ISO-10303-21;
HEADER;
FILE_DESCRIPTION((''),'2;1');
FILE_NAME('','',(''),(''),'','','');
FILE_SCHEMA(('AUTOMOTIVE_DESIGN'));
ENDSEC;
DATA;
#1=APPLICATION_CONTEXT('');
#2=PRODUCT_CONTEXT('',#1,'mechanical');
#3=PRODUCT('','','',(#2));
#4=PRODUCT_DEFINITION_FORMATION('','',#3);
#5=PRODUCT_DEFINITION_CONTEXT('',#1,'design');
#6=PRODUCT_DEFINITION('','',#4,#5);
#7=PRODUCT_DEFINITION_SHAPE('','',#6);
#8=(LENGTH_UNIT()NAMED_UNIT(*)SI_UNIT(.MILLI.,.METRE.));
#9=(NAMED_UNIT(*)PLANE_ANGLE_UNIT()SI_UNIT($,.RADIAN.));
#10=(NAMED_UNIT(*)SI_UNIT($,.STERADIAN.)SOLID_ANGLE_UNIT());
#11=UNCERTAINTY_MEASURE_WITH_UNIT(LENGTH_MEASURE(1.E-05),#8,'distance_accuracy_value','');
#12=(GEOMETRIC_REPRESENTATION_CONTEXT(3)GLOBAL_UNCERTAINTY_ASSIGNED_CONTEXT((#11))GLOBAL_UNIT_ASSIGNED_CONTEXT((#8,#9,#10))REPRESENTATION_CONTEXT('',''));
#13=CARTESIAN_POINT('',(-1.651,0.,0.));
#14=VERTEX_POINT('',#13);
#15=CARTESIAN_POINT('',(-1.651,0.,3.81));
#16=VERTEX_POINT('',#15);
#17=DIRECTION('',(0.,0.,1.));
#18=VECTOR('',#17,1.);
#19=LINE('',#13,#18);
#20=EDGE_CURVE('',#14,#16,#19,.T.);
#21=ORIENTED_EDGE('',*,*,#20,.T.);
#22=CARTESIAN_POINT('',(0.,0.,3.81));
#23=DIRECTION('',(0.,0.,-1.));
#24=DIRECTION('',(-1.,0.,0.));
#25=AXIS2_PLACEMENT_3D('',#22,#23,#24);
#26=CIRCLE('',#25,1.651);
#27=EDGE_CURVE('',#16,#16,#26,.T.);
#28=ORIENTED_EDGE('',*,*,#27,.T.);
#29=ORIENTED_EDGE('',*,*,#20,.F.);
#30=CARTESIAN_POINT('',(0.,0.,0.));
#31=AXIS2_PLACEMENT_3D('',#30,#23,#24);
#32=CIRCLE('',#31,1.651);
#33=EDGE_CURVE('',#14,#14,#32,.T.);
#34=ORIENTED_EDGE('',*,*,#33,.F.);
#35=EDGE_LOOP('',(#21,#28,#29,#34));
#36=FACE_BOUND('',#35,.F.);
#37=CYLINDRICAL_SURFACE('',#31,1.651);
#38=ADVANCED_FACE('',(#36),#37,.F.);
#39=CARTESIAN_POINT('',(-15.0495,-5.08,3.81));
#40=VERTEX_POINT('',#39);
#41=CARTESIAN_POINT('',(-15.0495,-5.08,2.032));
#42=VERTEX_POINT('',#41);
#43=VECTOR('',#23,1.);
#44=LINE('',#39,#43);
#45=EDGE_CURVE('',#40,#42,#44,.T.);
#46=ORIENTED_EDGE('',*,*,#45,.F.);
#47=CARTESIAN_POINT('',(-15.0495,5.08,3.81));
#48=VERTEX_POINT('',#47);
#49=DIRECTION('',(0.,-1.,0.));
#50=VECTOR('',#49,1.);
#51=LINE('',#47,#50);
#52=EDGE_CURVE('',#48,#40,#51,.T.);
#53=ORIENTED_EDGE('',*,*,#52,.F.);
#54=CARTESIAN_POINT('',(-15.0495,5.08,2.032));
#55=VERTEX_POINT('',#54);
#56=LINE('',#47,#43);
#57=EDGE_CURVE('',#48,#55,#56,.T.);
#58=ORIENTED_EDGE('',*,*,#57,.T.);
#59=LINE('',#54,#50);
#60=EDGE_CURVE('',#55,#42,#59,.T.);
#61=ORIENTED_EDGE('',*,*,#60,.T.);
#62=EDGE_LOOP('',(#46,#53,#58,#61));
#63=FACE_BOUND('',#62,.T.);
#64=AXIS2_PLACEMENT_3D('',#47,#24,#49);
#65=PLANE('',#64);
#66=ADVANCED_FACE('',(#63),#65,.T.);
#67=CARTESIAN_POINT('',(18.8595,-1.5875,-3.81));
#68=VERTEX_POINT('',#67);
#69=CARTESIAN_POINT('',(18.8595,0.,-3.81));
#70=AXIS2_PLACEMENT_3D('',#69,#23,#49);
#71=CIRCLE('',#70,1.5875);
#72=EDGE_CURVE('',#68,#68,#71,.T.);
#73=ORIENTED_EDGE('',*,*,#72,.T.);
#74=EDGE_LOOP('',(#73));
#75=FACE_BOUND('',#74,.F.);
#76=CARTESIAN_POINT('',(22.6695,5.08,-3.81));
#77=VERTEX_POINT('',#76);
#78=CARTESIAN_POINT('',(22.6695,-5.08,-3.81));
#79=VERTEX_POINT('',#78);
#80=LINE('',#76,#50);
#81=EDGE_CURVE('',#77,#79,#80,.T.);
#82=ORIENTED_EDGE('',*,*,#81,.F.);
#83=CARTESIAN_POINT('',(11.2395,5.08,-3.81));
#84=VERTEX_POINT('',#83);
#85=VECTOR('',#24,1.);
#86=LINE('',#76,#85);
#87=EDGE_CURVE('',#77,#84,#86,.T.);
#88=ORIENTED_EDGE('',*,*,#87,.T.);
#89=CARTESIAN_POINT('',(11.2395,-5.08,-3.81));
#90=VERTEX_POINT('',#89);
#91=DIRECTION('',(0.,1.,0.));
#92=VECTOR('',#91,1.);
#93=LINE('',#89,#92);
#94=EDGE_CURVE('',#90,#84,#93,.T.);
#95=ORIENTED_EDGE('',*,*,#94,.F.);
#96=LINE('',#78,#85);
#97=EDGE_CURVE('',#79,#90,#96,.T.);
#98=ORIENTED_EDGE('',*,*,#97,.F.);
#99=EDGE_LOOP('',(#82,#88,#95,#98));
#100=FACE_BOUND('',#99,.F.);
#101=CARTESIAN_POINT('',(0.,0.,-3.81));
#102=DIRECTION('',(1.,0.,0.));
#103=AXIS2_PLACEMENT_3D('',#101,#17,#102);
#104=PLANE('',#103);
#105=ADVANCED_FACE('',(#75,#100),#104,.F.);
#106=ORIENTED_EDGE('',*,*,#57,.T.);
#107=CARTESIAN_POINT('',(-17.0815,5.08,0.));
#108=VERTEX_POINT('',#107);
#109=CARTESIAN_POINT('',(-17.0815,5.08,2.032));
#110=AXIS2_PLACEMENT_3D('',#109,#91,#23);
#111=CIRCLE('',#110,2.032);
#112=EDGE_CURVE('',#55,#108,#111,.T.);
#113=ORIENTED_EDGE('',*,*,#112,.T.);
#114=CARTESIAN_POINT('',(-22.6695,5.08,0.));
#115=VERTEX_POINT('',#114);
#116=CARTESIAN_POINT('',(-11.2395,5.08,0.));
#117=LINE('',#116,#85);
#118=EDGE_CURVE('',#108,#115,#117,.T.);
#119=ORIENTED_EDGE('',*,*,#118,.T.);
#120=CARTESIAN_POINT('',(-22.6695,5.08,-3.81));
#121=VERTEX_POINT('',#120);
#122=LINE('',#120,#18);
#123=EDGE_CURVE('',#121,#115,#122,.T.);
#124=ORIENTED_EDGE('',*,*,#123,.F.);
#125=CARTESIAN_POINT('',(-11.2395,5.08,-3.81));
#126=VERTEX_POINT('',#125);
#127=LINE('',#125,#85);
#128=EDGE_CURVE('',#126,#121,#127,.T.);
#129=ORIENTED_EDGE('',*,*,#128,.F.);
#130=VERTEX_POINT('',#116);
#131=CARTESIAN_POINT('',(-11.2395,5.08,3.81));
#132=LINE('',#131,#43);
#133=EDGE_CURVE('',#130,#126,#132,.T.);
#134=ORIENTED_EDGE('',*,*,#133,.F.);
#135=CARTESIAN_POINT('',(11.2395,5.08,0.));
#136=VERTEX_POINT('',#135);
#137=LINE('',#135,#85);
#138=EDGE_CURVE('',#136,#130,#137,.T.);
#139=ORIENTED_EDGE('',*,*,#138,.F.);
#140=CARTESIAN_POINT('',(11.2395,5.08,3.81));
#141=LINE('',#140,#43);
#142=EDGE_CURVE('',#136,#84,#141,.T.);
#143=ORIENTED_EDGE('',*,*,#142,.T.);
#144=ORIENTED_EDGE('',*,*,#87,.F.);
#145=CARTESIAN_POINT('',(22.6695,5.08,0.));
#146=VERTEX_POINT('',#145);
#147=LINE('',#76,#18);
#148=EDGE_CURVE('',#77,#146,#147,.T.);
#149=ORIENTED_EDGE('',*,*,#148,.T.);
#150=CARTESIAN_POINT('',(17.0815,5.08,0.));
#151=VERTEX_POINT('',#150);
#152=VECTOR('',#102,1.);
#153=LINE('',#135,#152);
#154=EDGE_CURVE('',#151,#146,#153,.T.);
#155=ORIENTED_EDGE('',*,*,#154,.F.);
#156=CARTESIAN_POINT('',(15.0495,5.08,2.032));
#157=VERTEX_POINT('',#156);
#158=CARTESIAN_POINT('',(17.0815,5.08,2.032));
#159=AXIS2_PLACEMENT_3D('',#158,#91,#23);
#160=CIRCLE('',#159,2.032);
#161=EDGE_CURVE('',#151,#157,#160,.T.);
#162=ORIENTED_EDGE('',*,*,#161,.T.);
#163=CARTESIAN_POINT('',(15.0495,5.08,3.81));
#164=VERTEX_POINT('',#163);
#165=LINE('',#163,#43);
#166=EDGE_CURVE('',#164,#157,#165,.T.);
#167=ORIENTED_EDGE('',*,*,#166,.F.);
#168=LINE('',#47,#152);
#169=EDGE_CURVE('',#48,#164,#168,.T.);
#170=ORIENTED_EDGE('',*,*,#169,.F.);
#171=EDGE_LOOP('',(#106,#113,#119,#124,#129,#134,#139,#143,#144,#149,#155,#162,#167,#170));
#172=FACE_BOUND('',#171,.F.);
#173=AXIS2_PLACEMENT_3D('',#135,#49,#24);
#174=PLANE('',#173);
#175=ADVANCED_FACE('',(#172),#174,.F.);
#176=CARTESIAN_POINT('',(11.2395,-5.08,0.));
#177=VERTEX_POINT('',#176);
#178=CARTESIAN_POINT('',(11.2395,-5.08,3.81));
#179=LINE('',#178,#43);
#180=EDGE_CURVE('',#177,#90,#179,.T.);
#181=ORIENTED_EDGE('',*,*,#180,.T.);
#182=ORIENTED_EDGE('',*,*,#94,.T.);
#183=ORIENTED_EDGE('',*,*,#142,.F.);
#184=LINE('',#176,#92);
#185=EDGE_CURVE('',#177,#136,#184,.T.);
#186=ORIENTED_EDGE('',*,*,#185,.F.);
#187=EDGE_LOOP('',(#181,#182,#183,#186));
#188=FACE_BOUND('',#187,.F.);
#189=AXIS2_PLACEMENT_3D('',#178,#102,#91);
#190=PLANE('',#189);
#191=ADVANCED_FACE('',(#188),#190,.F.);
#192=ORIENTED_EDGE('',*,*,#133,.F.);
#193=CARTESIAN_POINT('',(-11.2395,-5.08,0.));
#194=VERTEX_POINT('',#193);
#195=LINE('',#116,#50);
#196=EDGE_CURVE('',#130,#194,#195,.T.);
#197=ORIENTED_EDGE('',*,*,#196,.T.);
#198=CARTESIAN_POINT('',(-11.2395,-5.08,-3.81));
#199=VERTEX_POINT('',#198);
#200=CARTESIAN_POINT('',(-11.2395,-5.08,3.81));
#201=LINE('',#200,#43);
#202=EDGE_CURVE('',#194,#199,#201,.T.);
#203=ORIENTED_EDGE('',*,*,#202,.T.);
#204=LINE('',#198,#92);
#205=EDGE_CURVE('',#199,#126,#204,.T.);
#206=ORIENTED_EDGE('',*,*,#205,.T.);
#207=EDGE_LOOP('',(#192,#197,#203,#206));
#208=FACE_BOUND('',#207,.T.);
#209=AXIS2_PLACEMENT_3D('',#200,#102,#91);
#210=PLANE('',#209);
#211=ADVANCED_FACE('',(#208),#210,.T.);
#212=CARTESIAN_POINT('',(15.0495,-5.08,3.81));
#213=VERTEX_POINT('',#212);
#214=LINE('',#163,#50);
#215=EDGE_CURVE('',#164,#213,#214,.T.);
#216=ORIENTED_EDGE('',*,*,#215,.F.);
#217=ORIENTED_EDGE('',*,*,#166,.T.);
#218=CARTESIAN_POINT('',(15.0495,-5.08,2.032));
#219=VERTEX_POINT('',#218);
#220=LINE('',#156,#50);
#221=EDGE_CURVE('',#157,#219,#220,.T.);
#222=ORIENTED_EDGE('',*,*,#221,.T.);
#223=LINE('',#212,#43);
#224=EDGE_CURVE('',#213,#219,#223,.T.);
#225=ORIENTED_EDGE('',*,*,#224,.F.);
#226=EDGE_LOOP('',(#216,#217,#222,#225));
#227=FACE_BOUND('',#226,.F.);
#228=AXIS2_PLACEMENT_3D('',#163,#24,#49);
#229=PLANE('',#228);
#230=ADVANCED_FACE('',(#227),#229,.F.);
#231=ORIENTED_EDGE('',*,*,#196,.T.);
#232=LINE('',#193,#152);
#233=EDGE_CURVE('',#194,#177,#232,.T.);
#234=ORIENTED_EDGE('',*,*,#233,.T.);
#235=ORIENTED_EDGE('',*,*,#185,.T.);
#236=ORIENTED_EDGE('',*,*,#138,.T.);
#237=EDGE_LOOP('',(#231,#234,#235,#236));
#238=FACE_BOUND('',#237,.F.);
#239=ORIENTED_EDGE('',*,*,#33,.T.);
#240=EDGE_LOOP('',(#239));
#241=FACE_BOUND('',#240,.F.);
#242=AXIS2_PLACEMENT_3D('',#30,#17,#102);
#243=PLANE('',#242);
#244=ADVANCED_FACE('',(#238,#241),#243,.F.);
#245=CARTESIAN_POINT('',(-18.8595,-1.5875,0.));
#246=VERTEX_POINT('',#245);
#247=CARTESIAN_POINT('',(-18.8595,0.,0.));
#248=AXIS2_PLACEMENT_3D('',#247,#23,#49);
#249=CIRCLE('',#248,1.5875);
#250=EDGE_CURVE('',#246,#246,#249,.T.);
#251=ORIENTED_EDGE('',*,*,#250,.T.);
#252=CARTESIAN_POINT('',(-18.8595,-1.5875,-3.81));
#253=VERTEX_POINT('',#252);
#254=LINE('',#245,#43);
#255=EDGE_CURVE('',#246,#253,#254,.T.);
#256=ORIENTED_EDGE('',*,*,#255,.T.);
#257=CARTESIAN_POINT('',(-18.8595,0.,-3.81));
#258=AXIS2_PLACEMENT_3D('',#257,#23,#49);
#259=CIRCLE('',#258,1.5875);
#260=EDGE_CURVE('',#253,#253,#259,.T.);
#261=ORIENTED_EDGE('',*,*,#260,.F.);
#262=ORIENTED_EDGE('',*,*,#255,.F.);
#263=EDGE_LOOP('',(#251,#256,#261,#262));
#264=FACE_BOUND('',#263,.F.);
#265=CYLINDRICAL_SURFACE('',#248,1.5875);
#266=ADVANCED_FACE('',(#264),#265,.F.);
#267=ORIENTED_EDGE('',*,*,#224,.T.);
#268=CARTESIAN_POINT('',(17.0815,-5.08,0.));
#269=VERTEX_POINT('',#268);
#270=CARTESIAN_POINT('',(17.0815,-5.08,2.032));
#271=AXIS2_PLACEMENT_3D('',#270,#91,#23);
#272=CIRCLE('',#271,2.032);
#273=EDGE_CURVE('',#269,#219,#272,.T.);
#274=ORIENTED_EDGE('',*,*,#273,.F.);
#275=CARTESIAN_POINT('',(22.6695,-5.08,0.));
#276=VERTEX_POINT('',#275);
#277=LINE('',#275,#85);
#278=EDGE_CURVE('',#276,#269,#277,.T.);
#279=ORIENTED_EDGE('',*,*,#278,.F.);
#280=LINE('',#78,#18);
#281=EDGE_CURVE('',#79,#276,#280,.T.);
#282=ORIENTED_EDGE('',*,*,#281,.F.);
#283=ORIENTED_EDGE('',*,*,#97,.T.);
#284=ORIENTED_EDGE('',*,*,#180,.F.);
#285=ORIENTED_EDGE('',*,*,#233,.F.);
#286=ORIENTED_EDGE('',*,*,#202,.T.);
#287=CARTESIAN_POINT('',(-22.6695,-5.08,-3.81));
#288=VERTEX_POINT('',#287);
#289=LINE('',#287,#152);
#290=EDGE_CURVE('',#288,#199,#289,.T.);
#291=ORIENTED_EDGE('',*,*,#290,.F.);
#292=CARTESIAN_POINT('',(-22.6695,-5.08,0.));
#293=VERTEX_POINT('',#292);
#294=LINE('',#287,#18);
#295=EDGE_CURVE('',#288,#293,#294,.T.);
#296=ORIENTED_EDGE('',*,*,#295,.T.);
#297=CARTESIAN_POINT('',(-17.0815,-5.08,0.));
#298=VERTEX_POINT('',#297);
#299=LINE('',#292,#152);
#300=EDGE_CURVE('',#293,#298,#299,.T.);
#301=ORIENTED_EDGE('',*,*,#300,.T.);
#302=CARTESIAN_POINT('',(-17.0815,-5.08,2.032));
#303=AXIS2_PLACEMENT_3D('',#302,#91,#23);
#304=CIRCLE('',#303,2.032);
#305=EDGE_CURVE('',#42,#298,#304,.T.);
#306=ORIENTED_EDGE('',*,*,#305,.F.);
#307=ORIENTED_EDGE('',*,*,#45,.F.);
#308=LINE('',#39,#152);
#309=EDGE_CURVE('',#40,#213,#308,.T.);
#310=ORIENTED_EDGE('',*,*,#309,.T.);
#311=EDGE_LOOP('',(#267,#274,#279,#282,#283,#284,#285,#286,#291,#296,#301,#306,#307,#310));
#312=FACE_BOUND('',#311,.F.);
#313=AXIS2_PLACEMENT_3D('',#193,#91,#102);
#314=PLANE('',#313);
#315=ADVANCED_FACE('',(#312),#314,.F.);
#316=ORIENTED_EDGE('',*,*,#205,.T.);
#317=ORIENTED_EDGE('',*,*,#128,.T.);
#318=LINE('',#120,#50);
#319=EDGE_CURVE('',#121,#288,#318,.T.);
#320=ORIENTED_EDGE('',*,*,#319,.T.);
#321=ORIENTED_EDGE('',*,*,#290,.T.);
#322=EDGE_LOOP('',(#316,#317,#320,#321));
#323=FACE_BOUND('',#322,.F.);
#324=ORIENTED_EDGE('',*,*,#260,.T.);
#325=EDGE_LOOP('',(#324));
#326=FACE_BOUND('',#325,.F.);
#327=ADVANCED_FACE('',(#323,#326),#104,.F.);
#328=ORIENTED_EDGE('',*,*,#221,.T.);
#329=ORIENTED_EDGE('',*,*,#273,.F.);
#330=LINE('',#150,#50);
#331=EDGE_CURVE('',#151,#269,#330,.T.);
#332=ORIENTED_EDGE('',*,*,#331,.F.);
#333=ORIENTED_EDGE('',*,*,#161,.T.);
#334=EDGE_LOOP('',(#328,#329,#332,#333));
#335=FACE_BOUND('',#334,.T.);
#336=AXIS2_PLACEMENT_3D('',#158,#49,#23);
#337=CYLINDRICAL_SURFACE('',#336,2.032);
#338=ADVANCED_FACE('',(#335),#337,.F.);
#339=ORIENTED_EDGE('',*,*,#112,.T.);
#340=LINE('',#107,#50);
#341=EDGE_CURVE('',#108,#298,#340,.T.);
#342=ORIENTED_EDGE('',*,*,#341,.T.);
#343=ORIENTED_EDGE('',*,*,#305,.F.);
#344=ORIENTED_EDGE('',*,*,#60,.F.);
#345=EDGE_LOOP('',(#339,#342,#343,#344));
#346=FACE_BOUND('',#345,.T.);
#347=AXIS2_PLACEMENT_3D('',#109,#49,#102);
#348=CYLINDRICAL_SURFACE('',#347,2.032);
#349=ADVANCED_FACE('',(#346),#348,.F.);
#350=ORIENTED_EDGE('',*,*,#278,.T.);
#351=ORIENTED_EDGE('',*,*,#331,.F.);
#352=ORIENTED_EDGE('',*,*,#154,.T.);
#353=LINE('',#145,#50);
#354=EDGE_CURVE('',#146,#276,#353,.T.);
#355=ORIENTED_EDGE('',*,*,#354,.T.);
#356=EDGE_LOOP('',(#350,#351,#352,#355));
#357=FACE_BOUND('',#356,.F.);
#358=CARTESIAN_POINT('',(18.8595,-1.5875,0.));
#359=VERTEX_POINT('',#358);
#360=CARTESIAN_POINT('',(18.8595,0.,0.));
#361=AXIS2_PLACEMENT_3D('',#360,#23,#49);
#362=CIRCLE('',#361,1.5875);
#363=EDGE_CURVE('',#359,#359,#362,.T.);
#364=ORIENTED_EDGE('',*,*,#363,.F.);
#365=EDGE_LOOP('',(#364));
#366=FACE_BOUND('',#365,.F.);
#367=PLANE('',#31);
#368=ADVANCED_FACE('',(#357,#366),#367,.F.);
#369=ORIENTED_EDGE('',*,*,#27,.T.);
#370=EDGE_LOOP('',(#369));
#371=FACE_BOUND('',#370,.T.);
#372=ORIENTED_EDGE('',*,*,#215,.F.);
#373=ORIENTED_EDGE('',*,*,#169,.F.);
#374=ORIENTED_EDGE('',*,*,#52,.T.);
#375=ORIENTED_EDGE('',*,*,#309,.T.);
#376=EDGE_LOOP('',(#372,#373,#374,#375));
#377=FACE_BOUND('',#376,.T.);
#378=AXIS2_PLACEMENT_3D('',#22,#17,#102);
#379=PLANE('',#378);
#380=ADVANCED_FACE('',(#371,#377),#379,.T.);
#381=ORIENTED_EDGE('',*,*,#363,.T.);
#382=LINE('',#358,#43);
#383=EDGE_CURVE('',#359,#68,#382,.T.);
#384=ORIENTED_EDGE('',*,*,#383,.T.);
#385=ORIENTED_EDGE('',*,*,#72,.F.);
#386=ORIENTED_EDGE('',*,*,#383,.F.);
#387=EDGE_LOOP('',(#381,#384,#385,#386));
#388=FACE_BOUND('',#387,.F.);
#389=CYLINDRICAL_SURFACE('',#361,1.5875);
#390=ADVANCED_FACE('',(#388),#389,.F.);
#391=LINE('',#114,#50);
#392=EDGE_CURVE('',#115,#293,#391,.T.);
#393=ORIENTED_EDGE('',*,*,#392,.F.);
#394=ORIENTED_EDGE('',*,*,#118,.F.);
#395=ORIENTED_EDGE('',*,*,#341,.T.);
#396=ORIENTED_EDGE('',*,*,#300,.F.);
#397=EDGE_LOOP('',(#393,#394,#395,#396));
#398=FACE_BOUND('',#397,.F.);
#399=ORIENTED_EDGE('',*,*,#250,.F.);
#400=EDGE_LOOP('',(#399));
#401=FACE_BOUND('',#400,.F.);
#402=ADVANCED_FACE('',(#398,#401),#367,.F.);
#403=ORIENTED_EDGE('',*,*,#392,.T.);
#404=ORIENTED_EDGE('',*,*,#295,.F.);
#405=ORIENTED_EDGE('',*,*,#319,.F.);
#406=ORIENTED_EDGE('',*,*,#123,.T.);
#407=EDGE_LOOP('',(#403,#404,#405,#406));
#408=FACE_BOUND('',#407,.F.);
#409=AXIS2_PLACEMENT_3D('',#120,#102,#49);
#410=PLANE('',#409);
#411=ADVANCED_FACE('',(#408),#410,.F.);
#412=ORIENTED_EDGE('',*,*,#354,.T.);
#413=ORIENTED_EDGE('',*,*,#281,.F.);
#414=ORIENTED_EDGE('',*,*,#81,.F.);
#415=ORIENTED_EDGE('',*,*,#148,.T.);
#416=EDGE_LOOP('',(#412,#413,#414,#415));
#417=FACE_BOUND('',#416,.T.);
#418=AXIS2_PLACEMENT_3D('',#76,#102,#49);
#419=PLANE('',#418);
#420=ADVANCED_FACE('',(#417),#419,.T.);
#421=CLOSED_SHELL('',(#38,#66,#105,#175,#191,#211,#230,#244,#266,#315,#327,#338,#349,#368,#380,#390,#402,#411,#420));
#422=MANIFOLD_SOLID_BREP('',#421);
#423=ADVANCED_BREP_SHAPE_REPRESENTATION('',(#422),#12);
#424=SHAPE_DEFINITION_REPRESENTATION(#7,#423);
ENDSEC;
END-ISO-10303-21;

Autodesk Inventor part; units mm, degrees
ref_plane "YZ Plane" through (0, 0, 0) normal (1, 0, 0) x (0, 1, 0)
ref_plane "XZ Plane" through (0, 0, 0) normal (0, 1, 0) x (-1, 0, 0)
ref_plane "XY Plane" through (0, 0, 0) normal (0, 0, 1) x (1, 0, 0)
sketch "Sketch1" plane through (0, 0, 0) normal (0, 0, 1) x (1, 0, 0)
  line L0 (-11.2395, -5.08) -> (11.2395, -5.08)
  line L1 (11.2395, -5.08) -> (11.2395, 5.08)
  line L2 (11.2395, 5.08) -> (-11.2395, 5.08)
  line L3 (-11.2395, 5.08) -> (-11.2395, -5.08)
  line L4 (-11.2395, -5.08) -> (11.2395, 5.08) construction
  line L5 (11.2395, -5.08) -> (-11.2395, 5.08) construction
  point P0 (0, 0)
  dimension "d0" = 22.479
  dimension "d1" = 10.16
extrude "Extrusion1" add sketch "Sketch1" along normal blind 3.81
sketch "Sketch2" plane through (0, 0, 3.81) normal (0, 0, 1) x (1, 0, 0)
  line L0 (11.2395, 5.08) -> (-11.2395, 5.08) projected
  line L1 (-11.2395, 5.08) -> (-15.0495, 5.08)
  line L2 (-15.0495, 5.08) -> (-15.0495, -5.08)
  line L3 (-15.0495, -5.08) -> (-11.2395, -5.08)
  line L4 (-11.2395, -5.08) -> (-11.2395, 5.08)
  line L5 (11.2395, -5.08) -> (11.2395, 5.08) projected
  line L6 (11.2395, 5.08) -> (15.0495, 5.08)
  line L7 (15.0495, 5.08) -> (15.0495, -5.08)
  line L8 (15.0495, -5.08) -> (11.2395, -5.08)
  line L9 (11.2395, -5.08) -> (11.2395, 5.08)
  point P0 (0, 0)
  dimension "d4" = 3.81
  dimension "d5" = 10.16
  dimension "d6" = 3.81
extrude "Extrusion2" add sketch "Sketch2" against normal blind 7.62
sketch "Sketch3" plane through (0, 0, -3.81) normal (0, 0, -1) x (-1, 0, 0)
  line L0 (-11.2395, -5.08) -> (-11.2395, 5.08) projected
  line L1 (-11.2395, 5.08) -> (-22.6695, 5.08)
  line L2 (-22.6695, 5.08) -> (-22.6695, -5.08)
  line L3 (-22.6695, -5.08) -> (-11.2395, -5.08)
  line L4 (-11.2395, -5.08) -> (-11.2395, 5.08)
  line L5 (11.2395, 5.08) -> (11.2395, -5.08) projected
  line L6 (11.2395, 5.08) -> (22.6695, 5.08)
  line L7 (22.6695, 5.08) -> (22.6695, -5.08)
  line L8 (22.6695, -5.08) -> (11.2395, -5.08)
  line L9 (11.2395, -5.08) -> (11.2395, 5.08)
  point P0 (0, 0)
  dimension "d9" = 11.43
  dimension "d10" = 10.16
  dimension "d11" = 11.43
  dimension "d12" = 10.16
extrude "Extrusion3" add sketch "Sketch3" against normal blind 3.81
sketch "Sketch4" plane through (0, 0, 0) normal (0, 0, -1) x (-1, 0, 0)
  circle A0 centre (0, 0) radius 1.651
  dimension "d15" = 3.302
extrude "Extrusion4" cut sketch "Sketch4" against normal through all
sketch "Sketch5" plane through (0, 0, 0) normal (0, 0, 1) x (1, 0, 0)
  line L0 (15.0495, -5.08) -> (22.6695, -5.08) projected
  line L1 (-22.6695, -5.08) -> (-15.0495, -5.08) projected
  line L2 (22.6695, -5.08) -> (22.6695, 5.08) projected
  line L3 (-22.6695, 5.08) -> (-22.6695, -5.08) projected
  point P0 (0, 0)
  point P1 (-18.8595, 0)
  point P2 (18.8595, 0)
  dimension "d18" = 5.08
  dimension "d19" = 5.08
  dimension "d20" = 3.81
  dimension "d21" = 3.81
hole "Hole1" at (-18.8595, 0, 0) at (18.8595, 0, 0) direction (0, 0, -1) diameter 3.175 end through all
fillet "Fillet1" radius 2.032 2 edges at (15.0495, 0, 0) (-15.0495, 0, 0)
properties part number "LowerSpringMount"
